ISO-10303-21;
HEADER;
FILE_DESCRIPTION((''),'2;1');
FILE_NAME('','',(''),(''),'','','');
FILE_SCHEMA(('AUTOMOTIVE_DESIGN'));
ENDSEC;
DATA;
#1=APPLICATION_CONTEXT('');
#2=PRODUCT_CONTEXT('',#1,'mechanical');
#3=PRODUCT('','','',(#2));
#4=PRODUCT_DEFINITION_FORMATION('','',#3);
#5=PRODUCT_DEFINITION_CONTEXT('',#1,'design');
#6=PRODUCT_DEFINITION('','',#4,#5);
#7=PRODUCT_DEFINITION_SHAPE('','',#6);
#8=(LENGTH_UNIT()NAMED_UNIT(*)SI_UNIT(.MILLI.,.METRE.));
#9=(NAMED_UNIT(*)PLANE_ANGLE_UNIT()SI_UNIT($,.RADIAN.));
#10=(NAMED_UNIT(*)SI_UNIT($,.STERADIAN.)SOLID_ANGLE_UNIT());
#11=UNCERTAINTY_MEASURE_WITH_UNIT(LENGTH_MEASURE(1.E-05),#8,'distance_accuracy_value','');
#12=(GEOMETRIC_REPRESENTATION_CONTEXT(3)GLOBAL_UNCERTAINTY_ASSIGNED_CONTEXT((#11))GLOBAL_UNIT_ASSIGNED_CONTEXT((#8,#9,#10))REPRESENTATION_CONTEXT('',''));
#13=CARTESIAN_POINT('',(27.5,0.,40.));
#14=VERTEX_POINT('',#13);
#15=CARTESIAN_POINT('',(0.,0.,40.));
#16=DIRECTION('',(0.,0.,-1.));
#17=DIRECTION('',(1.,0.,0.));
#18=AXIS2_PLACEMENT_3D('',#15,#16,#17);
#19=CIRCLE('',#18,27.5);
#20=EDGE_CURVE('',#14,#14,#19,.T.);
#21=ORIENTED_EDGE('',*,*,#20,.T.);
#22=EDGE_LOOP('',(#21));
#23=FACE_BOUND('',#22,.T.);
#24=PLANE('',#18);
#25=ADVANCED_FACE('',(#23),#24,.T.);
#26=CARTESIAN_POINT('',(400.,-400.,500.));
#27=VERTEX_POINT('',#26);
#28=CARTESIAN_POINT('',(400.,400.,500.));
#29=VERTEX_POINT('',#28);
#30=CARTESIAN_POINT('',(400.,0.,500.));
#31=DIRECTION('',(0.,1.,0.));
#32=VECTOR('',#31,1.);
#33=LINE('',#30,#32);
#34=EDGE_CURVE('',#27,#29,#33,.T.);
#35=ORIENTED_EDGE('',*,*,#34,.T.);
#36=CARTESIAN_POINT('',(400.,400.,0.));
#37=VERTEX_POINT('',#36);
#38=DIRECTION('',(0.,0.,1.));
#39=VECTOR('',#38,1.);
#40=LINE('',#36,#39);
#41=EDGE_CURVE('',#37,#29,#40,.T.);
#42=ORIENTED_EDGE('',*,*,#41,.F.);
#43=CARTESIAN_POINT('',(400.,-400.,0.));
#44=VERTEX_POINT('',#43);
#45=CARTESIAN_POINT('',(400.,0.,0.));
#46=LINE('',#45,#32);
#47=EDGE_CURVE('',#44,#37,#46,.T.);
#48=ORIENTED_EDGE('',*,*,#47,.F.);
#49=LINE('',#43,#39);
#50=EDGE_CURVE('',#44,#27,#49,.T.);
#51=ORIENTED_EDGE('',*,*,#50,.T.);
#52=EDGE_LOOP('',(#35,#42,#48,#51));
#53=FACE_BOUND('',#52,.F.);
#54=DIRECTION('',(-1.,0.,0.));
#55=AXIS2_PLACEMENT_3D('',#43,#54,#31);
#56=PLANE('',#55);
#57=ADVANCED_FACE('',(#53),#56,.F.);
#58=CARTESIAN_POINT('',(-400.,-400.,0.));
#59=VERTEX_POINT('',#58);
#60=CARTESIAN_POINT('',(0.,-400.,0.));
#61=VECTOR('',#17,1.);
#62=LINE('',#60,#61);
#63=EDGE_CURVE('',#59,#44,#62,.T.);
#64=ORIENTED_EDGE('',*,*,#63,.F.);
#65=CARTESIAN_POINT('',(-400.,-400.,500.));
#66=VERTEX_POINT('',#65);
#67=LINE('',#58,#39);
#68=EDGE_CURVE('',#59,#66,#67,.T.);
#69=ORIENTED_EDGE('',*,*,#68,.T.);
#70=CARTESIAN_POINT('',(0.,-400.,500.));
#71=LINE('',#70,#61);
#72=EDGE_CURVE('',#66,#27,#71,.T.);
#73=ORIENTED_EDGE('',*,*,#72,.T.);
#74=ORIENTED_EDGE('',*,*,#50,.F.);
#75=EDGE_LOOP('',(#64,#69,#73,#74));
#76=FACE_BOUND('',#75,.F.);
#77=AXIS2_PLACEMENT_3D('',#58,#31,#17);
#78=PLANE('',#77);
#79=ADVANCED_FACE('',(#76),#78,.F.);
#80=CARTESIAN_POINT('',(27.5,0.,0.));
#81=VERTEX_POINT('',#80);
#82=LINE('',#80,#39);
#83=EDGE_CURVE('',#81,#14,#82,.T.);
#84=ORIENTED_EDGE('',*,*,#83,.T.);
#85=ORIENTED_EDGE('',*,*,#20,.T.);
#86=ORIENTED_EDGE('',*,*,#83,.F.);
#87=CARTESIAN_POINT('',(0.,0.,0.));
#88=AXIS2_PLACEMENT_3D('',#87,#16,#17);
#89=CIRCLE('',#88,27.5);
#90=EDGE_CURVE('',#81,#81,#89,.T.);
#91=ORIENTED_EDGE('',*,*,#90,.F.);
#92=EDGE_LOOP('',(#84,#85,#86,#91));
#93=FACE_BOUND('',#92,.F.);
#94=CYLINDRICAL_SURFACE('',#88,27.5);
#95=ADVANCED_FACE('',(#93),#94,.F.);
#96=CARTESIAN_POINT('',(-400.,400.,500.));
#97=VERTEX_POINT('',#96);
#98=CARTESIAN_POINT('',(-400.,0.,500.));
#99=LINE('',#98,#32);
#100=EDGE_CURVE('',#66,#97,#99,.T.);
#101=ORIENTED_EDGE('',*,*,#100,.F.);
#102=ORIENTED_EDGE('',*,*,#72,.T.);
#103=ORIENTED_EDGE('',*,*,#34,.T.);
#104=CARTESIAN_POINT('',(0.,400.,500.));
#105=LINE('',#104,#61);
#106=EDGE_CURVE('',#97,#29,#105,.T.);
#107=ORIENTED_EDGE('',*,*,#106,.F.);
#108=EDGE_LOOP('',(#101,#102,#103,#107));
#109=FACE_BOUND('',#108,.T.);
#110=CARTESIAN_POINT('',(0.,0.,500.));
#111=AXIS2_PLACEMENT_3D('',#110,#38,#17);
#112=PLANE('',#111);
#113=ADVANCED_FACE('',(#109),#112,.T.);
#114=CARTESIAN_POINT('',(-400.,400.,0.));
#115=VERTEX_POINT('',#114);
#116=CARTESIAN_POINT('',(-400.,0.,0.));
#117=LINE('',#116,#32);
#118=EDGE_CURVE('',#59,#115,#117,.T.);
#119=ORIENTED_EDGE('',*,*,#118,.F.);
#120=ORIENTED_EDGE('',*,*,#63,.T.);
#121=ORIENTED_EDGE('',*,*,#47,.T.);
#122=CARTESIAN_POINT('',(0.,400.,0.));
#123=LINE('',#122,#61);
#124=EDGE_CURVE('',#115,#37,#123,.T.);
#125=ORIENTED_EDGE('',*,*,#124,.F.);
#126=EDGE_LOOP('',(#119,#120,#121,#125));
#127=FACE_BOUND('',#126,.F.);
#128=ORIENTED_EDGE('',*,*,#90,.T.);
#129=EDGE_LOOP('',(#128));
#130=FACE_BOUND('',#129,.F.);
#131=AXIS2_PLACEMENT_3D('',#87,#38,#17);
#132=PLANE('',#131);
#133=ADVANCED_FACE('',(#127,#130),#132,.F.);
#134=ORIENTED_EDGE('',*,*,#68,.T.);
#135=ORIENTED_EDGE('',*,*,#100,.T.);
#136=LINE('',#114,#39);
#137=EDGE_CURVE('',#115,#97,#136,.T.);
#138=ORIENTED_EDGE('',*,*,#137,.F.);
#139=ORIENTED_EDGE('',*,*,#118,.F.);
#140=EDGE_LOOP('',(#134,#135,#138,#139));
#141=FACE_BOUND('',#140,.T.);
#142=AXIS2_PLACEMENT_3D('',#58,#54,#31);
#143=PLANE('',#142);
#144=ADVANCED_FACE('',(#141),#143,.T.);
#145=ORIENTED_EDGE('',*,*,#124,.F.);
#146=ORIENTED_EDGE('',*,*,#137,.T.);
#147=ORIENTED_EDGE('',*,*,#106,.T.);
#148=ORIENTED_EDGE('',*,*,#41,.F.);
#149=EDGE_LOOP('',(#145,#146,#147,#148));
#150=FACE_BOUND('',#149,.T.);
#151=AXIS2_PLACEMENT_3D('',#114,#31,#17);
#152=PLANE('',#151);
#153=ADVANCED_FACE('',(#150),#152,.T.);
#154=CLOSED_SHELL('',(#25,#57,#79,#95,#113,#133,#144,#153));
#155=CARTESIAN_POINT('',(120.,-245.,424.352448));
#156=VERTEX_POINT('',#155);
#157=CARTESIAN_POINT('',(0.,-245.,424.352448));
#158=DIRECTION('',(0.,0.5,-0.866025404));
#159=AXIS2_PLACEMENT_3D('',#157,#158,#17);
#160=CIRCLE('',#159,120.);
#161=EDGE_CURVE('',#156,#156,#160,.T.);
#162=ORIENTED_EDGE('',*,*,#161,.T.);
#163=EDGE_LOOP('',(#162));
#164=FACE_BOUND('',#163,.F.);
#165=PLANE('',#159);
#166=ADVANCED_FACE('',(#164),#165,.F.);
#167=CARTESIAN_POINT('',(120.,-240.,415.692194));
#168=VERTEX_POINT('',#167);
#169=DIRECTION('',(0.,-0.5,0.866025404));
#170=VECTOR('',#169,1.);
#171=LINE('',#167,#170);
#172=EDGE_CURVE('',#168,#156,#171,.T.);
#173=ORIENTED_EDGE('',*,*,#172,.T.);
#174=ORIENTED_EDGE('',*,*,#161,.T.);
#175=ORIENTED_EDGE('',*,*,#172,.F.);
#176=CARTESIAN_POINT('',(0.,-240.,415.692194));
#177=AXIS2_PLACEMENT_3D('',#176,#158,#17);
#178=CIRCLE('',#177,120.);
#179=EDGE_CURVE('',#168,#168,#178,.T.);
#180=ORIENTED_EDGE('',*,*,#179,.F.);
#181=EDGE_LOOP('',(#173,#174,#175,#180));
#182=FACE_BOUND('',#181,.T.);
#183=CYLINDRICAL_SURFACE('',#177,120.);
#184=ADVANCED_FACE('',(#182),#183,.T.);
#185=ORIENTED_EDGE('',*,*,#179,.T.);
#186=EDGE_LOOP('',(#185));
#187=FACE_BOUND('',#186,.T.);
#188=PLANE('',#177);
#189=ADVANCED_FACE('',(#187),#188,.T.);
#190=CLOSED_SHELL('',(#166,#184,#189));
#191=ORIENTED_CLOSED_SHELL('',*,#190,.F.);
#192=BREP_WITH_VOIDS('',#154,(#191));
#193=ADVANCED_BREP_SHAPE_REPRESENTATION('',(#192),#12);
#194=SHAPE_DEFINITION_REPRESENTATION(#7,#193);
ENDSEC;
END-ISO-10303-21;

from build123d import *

# Parameters (mm, degrees)
F0_W     = 800
F0_H     = 800
F1_DEPTH = 500
F2_R     = 27.5
F3_DEPTH = 40
F7_R     = 120
F8_DEPTH = 10


with BuildPart() as f1:
    # F0 (on Top) → F1 (new body)
    with BuildSketch(Plane.XY):
        Rectangle(F0_W, F0_H)
    extrude(amount=F1_DEPTH)

    # F2 (on face) → F3 (cut)
    with BuildSketch(Plane(origin=(0, 0, 0), x_dir=(1, 0, 0), z_dir=(0, 0, -1))):
        Circle(F2_R)
    extrude(amount=-F3_DEPTH, mode=Mode.SUBTRACT)

    # F7 (on offset) → F8 (cut)
    with BuildSketch(Plane(origin=(0, -240, 415.6921938165), x_dir=(1, 0, 0), z_dir=(0, 0.5, -0.8660254038))):
        Circle(F7_R)
    extrude(amount=-F8_DEPTH, mode=Mode.SUBTRACT)


solid = f1.part
